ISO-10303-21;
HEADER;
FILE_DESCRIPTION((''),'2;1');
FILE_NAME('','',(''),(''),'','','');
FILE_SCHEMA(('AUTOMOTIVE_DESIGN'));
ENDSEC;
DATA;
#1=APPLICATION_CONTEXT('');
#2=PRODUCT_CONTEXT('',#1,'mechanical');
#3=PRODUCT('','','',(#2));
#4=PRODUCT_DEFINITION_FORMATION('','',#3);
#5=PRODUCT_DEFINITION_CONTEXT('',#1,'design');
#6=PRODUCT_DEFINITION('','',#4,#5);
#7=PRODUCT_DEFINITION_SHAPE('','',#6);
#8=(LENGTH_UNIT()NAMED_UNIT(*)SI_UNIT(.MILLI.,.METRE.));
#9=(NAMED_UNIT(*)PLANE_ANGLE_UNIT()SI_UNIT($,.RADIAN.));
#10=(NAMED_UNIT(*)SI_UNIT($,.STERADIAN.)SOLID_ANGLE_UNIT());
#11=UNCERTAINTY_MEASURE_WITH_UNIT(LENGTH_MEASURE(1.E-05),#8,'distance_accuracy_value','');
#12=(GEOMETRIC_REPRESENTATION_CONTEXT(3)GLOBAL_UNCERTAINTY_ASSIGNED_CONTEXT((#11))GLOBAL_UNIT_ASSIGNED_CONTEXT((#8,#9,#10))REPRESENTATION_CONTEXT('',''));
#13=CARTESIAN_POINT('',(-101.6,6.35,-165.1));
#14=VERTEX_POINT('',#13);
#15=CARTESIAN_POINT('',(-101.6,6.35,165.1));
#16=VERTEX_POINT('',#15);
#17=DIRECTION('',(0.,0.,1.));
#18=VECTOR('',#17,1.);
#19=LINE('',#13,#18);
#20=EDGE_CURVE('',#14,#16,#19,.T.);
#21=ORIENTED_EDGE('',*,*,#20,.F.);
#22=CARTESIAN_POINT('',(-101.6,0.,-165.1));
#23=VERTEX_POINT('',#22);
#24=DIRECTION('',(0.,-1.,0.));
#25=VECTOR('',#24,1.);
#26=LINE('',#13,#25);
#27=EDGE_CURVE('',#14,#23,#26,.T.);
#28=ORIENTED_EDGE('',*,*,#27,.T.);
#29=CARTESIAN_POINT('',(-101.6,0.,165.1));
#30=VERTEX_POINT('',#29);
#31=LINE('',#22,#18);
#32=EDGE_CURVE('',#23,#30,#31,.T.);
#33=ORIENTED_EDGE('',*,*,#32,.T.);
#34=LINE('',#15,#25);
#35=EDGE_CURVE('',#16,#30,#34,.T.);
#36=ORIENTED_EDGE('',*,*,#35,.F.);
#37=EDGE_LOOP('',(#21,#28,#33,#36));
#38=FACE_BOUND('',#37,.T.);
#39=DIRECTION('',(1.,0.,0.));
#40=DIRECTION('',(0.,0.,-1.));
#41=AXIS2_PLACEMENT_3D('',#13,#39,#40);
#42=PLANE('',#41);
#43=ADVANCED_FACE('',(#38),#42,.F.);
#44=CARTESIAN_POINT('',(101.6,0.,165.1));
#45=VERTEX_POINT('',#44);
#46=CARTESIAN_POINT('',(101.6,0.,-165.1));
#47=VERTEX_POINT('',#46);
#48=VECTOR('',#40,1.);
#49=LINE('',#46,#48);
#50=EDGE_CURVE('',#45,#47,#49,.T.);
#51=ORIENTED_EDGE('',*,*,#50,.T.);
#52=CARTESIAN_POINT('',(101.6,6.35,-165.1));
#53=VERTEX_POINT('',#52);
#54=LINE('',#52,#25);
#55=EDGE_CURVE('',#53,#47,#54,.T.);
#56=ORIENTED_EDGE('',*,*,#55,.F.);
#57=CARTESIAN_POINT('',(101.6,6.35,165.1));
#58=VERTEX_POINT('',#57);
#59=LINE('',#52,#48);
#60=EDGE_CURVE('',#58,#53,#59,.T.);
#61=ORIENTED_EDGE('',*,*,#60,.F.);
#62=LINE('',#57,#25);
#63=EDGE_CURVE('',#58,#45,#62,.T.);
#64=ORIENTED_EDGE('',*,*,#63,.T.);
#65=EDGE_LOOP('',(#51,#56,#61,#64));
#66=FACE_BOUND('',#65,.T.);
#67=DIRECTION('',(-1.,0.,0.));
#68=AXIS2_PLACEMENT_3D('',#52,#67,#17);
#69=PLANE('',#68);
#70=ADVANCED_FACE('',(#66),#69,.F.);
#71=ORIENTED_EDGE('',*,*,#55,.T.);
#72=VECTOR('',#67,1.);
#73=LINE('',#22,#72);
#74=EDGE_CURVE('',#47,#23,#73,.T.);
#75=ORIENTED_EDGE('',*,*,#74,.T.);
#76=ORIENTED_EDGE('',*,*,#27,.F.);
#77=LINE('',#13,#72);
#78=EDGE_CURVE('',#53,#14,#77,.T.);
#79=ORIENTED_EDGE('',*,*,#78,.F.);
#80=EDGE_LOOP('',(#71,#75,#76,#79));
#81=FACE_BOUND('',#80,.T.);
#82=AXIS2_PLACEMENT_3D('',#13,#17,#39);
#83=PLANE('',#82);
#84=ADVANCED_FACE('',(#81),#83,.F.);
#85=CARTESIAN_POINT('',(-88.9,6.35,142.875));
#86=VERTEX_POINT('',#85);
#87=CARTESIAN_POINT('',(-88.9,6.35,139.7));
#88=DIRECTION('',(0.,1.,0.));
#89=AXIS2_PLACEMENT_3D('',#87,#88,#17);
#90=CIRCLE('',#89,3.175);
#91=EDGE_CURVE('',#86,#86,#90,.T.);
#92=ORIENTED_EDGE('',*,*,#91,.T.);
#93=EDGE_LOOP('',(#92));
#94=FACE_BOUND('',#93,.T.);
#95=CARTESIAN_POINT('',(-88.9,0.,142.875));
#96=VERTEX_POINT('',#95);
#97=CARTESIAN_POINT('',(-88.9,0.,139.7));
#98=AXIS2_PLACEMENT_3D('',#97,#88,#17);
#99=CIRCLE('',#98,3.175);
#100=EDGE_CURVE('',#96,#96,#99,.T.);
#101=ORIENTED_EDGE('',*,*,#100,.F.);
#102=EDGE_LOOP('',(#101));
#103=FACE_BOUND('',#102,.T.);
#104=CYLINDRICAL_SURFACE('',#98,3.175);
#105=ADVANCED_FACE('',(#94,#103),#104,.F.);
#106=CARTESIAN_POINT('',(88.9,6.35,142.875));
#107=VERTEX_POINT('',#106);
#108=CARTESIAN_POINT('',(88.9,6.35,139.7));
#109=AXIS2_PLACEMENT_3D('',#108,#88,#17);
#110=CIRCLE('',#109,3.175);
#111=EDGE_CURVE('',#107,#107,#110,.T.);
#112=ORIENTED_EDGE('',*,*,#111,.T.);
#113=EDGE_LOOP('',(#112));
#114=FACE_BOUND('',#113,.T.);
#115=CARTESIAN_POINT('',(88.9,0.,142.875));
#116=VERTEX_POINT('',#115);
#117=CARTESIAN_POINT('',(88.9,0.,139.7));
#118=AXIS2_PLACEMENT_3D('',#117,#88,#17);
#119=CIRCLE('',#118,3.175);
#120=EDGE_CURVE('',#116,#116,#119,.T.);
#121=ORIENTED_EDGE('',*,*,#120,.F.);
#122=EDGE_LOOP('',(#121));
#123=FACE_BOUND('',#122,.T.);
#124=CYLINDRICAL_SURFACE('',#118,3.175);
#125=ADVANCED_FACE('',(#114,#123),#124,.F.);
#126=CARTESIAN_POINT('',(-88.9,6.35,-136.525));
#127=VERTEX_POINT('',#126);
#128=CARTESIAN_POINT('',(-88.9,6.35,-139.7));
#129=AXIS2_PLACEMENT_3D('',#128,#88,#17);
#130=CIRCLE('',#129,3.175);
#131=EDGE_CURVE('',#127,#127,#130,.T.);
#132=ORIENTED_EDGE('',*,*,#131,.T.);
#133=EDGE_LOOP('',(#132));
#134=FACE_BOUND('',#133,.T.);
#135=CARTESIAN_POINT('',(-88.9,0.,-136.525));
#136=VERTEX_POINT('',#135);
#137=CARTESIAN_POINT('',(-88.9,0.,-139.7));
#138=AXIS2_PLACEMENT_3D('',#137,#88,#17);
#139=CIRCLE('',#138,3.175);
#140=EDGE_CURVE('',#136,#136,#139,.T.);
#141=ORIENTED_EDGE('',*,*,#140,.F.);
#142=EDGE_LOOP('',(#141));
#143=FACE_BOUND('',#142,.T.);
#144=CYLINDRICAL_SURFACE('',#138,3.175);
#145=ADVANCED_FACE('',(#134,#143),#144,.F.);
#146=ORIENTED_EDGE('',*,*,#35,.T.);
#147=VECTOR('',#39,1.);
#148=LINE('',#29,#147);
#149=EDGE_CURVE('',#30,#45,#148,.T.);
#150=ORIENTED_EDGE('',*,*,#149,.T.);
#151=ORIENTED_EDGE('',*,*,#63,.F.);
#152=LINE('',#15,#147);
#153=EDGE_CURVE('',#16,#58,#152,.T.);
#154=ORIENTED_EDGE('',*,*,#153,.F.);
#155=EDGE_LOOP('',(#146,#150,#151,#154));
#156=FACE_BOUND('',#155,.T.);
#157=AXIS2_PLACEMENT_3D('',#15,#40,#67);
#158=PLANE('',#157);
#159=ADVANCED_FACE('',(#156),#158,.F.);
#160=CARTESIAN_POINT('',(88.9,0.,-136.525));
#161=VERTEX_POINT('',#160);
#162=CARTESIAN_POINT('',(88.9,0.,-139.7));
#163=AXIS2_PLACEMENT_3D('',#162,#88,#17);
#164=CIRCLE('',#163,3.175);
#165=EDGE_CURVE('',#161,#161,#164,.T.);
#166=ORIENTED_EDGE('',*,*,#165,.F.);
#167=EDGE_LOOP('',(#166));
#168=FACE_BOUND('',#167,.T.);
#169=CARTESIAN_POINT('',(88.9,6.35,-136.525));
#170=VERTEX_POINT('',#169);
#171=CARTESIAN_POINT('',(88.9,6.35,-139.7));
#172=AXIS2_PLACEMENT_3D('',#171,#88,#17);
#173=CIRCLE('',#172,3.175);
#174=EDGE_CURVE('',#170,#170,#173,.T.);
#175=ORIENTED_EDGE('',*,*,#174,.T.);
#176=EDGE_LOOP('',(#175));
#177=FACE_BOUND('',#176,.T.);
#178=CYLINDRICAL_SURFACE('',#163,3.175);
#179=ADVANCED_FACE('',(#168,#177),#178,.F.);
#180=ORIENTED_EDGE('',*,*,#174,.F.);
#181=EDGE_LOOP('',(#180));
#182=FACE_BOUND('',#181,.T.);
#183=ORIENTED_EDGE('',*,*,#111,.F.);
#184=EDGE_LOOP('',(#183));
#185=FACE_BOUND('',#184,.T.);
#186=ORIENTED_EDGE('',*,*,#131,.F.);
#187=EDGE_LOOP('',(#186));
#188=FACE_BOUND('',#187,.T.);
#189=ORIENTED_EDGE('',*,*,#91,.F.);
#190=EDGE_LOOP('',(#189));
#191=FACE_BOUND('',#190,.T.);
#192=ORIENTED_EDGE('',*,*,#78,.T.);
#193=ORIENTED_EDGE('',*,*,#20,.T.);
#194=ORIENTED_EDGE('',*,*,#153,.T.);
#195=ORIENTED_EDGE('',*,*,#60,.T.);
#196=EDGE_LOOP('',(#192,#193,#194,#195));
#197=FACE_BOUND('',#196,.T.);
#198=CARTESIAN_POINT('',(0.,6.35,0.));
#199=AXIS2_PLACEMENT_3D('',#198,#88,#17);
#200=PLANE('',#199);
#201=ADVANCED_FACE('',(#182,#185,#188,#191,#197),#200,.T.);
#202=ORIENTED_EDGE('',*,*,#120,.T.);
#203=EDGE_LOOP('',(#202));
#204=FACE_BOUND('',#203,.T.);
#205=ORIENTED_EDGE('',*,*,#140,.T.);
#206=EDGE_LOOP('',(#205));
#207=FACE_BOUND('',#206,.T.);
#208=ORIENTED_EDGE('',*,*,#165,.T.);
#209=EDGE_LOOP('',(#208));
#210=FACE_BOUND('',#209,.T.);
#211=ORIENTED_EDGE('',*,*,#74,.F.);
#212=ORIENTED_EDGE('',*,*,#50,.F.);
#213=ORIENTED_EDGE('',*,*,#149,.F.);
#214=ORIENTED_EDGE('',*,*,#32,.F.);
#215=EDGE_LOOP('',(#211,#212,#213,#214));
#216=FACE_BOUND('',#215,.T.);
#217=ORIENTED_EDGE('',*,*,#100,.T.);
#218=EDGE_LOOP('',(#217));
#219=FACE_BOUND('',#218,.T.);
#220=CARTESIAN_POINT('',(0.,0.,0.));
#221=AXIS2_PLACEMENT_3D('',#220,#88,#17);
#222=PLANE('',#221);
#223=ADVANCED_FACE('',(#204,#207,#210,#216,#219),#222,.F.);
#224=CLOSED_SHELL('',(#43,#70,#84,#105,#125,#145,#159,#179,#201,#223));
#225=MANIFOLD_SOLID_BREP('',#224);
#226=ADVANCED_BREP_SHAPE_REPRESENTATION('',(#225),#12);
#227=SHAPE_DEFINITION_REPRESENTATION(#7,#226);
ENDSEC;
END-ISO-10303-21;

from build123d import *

# Parameters (mm, degrees)
SKETCH1_W               = 203.2
SKETCH1_H               = 330.2
BOSS_EXTRUDE1_DEPTH     = 6.35
CUT_EXTRUDE1_DEPTH      = 194.961059236
CUT_EXTRUDE1_DEPTH_BACK = 194.961059236
SKETCH2_R               = 3.175


with BuildPart() as part:
    # Sketch1 → Boss-Extrude1 (new body)
    with BuildSketch(Plane(origin=(0, 0, 0), x_dir=(1, 0, 0), z_dir=(0, 1, 0))):
        Rectangle(SKETCH1_W, SKETCH1_H)
    extrude(amount=BOSS_EXTRUDE1_DEPTH)

    # Sketch2 → Cut-Extrude1 (cut, two sides: drawn at the far end of the back side and taken through both)
    with BuildSketch(Plane(origin=(0, 6.35, 0), x_dir=(1, 0, 0), z_dir=(0, 1, 0)).offset(-CUT_EXTRUDE1_DEPTH_BACK)):
        with Locations(Location((88.9, 139.7, 0), (0, 0, 270))):
            Circle(SKETCH2_R)
        with Locations(Location((-88.9, 139.7, 0), (0, 0, 270))):
            Circle(SKETCH2_R)
        with Locations(Location((88.9, -139.7, 0), (0, 0, 270))):
            Circle(SKETCH2_R)
        with Locations(Location((-88.9, -139.7, 0), (0, 0, 270))):
            Circle(SKETCH2_R)
    extrude(amount=CUT_EXTRUDE1_DEPTH + CUT_EXTRUDE1_DEPTH_BACK, mode=Mode.SUBTRACT)


solid = part.part
